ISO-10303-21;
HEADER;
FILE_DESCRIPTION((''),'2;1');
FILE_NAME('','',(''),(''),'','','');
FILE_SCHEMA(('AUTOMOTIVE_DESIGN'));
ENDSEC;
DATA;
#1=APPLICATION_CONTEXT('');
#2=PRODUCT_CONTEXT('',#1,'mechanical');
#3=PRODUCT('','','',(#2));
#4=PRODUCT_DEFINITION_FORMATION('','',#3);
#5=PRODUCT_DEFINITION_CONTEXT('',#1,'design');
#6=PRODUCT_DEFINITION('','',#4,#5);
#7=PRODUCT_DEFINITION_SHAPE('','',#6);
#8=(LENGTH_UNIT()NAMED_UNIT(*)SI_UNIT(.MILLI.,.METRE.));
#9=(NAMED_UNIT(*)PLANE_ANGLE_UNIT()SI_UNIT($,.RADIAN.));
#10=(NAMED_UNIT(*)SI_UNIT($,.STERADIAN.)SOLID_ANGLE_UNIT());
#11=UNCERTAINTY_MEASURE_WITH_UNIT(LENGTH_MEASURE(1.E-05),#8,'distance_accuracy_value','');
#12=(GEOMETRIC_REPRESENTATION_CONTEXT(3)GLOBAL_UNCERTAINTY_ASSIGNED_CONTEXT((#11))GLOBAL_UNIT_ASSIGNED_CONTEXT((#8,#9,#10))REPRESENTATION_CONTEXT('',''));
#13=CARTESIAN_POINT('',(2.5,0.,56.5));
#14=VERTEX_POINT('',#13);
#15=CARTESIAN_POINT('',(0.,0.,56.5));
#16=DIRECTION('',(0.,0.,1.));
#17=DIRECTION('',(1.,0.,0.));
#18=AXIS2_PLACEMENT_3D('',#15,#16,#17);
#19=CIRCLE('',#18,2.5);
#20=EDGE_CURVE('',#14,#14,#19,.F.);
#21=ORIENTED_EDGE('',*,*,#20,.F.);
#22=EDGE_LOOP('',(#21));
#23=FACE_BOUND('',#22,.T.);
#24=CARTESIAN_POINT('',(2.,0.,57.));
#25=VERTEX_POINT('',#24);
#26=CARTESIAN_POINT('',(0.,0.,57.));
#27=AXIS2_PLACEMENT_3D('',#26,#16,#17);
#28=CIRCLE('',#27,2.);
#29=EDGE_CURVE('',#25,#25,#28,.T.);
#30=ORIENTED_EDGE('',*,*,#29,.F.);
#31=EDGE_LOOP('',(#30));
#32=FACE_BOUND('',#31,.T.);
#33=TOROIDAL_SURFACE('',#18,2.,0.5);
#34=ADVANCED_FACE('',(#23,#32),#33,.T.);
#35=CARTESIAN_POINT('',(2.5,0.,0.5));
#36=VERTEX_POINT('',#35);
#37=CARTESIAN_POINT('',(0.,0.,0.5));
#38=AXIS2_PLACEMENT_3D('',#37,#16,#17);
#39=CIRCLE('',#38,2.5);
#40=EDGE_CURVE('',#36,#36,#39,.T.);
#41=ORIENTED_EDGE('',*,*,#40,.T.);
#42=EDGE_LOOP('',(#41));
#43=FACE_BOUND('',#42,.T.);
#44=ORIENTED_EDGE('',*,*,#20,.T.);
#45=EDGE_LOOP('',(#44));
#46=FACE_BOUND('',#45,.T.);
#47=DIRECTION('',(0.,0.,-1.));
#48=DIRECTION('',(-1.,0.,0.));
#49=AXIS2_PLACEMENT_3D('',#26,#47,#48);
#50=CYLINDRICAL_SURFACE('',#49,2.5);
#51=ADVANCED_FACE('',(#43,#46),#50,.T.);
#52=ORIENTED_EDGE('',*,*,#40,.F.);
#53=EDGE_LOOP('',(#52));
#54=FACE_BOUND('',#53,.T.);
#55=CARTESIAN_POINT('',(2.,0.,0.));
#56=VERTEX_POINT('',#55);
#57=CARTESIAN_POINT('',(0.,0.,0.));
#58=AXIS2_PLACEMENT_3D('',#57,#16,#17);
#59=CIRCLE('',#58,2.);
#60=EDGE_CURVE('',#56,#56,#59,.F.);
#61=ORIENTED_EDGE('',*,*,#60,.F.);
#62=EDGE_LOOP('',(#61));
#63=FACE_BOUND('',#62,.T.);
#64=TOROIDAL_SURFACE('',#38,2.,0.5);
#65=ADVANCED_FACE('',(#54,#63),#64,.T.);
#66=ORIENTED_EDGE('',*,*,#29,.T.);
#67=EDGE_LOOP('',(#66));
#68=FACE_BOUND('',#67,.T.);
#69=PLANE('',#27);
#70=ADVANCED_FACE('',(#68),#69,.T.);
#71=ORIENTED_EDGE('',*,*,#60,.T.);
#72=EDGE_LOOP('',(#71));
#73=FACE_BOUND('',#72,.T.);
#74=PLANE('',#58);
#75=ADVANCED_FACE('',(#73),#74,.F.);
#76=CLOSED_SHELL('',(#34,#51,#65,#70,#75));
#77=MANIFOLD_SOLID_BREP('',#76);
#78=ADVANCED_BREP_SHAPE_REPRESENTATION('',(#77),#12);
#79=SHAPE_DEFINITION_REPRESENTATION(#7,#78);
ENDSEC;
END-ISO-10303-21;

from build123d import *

# Parameters (mm, degrees)
SKETCH1_R           = 2.5
BOSS_EXTRUDE1_DEPTH = 57
FILLET2_R           = 0.5
FILLET3_R           = 0.5


with BuildPart() as part:
    # Sketch1 → Boss-Extrude1 (new body)
    with BuildSketch(Plane.XY):
        Circle(SKETCH1_R)
    extrude(amount=BOSS_EXTRUDE1_DEPTH)

    # Fillet2
    fillet2_edges = [part.edges().sort_by_distance(p)[0] for p in [
        (-2.5, 0, 0),
    ]]
    fillet(fillet2_edges, radius=FILLET2_R)

    # Fillet3
    fillet3_edges = [part.edges().sort_by_distance(p)[0] for p in [
        (-2.5, 0, 57),
    ]]
    fillet(fillet3_edges, radius=FILLET3_R)


solid = part.part
